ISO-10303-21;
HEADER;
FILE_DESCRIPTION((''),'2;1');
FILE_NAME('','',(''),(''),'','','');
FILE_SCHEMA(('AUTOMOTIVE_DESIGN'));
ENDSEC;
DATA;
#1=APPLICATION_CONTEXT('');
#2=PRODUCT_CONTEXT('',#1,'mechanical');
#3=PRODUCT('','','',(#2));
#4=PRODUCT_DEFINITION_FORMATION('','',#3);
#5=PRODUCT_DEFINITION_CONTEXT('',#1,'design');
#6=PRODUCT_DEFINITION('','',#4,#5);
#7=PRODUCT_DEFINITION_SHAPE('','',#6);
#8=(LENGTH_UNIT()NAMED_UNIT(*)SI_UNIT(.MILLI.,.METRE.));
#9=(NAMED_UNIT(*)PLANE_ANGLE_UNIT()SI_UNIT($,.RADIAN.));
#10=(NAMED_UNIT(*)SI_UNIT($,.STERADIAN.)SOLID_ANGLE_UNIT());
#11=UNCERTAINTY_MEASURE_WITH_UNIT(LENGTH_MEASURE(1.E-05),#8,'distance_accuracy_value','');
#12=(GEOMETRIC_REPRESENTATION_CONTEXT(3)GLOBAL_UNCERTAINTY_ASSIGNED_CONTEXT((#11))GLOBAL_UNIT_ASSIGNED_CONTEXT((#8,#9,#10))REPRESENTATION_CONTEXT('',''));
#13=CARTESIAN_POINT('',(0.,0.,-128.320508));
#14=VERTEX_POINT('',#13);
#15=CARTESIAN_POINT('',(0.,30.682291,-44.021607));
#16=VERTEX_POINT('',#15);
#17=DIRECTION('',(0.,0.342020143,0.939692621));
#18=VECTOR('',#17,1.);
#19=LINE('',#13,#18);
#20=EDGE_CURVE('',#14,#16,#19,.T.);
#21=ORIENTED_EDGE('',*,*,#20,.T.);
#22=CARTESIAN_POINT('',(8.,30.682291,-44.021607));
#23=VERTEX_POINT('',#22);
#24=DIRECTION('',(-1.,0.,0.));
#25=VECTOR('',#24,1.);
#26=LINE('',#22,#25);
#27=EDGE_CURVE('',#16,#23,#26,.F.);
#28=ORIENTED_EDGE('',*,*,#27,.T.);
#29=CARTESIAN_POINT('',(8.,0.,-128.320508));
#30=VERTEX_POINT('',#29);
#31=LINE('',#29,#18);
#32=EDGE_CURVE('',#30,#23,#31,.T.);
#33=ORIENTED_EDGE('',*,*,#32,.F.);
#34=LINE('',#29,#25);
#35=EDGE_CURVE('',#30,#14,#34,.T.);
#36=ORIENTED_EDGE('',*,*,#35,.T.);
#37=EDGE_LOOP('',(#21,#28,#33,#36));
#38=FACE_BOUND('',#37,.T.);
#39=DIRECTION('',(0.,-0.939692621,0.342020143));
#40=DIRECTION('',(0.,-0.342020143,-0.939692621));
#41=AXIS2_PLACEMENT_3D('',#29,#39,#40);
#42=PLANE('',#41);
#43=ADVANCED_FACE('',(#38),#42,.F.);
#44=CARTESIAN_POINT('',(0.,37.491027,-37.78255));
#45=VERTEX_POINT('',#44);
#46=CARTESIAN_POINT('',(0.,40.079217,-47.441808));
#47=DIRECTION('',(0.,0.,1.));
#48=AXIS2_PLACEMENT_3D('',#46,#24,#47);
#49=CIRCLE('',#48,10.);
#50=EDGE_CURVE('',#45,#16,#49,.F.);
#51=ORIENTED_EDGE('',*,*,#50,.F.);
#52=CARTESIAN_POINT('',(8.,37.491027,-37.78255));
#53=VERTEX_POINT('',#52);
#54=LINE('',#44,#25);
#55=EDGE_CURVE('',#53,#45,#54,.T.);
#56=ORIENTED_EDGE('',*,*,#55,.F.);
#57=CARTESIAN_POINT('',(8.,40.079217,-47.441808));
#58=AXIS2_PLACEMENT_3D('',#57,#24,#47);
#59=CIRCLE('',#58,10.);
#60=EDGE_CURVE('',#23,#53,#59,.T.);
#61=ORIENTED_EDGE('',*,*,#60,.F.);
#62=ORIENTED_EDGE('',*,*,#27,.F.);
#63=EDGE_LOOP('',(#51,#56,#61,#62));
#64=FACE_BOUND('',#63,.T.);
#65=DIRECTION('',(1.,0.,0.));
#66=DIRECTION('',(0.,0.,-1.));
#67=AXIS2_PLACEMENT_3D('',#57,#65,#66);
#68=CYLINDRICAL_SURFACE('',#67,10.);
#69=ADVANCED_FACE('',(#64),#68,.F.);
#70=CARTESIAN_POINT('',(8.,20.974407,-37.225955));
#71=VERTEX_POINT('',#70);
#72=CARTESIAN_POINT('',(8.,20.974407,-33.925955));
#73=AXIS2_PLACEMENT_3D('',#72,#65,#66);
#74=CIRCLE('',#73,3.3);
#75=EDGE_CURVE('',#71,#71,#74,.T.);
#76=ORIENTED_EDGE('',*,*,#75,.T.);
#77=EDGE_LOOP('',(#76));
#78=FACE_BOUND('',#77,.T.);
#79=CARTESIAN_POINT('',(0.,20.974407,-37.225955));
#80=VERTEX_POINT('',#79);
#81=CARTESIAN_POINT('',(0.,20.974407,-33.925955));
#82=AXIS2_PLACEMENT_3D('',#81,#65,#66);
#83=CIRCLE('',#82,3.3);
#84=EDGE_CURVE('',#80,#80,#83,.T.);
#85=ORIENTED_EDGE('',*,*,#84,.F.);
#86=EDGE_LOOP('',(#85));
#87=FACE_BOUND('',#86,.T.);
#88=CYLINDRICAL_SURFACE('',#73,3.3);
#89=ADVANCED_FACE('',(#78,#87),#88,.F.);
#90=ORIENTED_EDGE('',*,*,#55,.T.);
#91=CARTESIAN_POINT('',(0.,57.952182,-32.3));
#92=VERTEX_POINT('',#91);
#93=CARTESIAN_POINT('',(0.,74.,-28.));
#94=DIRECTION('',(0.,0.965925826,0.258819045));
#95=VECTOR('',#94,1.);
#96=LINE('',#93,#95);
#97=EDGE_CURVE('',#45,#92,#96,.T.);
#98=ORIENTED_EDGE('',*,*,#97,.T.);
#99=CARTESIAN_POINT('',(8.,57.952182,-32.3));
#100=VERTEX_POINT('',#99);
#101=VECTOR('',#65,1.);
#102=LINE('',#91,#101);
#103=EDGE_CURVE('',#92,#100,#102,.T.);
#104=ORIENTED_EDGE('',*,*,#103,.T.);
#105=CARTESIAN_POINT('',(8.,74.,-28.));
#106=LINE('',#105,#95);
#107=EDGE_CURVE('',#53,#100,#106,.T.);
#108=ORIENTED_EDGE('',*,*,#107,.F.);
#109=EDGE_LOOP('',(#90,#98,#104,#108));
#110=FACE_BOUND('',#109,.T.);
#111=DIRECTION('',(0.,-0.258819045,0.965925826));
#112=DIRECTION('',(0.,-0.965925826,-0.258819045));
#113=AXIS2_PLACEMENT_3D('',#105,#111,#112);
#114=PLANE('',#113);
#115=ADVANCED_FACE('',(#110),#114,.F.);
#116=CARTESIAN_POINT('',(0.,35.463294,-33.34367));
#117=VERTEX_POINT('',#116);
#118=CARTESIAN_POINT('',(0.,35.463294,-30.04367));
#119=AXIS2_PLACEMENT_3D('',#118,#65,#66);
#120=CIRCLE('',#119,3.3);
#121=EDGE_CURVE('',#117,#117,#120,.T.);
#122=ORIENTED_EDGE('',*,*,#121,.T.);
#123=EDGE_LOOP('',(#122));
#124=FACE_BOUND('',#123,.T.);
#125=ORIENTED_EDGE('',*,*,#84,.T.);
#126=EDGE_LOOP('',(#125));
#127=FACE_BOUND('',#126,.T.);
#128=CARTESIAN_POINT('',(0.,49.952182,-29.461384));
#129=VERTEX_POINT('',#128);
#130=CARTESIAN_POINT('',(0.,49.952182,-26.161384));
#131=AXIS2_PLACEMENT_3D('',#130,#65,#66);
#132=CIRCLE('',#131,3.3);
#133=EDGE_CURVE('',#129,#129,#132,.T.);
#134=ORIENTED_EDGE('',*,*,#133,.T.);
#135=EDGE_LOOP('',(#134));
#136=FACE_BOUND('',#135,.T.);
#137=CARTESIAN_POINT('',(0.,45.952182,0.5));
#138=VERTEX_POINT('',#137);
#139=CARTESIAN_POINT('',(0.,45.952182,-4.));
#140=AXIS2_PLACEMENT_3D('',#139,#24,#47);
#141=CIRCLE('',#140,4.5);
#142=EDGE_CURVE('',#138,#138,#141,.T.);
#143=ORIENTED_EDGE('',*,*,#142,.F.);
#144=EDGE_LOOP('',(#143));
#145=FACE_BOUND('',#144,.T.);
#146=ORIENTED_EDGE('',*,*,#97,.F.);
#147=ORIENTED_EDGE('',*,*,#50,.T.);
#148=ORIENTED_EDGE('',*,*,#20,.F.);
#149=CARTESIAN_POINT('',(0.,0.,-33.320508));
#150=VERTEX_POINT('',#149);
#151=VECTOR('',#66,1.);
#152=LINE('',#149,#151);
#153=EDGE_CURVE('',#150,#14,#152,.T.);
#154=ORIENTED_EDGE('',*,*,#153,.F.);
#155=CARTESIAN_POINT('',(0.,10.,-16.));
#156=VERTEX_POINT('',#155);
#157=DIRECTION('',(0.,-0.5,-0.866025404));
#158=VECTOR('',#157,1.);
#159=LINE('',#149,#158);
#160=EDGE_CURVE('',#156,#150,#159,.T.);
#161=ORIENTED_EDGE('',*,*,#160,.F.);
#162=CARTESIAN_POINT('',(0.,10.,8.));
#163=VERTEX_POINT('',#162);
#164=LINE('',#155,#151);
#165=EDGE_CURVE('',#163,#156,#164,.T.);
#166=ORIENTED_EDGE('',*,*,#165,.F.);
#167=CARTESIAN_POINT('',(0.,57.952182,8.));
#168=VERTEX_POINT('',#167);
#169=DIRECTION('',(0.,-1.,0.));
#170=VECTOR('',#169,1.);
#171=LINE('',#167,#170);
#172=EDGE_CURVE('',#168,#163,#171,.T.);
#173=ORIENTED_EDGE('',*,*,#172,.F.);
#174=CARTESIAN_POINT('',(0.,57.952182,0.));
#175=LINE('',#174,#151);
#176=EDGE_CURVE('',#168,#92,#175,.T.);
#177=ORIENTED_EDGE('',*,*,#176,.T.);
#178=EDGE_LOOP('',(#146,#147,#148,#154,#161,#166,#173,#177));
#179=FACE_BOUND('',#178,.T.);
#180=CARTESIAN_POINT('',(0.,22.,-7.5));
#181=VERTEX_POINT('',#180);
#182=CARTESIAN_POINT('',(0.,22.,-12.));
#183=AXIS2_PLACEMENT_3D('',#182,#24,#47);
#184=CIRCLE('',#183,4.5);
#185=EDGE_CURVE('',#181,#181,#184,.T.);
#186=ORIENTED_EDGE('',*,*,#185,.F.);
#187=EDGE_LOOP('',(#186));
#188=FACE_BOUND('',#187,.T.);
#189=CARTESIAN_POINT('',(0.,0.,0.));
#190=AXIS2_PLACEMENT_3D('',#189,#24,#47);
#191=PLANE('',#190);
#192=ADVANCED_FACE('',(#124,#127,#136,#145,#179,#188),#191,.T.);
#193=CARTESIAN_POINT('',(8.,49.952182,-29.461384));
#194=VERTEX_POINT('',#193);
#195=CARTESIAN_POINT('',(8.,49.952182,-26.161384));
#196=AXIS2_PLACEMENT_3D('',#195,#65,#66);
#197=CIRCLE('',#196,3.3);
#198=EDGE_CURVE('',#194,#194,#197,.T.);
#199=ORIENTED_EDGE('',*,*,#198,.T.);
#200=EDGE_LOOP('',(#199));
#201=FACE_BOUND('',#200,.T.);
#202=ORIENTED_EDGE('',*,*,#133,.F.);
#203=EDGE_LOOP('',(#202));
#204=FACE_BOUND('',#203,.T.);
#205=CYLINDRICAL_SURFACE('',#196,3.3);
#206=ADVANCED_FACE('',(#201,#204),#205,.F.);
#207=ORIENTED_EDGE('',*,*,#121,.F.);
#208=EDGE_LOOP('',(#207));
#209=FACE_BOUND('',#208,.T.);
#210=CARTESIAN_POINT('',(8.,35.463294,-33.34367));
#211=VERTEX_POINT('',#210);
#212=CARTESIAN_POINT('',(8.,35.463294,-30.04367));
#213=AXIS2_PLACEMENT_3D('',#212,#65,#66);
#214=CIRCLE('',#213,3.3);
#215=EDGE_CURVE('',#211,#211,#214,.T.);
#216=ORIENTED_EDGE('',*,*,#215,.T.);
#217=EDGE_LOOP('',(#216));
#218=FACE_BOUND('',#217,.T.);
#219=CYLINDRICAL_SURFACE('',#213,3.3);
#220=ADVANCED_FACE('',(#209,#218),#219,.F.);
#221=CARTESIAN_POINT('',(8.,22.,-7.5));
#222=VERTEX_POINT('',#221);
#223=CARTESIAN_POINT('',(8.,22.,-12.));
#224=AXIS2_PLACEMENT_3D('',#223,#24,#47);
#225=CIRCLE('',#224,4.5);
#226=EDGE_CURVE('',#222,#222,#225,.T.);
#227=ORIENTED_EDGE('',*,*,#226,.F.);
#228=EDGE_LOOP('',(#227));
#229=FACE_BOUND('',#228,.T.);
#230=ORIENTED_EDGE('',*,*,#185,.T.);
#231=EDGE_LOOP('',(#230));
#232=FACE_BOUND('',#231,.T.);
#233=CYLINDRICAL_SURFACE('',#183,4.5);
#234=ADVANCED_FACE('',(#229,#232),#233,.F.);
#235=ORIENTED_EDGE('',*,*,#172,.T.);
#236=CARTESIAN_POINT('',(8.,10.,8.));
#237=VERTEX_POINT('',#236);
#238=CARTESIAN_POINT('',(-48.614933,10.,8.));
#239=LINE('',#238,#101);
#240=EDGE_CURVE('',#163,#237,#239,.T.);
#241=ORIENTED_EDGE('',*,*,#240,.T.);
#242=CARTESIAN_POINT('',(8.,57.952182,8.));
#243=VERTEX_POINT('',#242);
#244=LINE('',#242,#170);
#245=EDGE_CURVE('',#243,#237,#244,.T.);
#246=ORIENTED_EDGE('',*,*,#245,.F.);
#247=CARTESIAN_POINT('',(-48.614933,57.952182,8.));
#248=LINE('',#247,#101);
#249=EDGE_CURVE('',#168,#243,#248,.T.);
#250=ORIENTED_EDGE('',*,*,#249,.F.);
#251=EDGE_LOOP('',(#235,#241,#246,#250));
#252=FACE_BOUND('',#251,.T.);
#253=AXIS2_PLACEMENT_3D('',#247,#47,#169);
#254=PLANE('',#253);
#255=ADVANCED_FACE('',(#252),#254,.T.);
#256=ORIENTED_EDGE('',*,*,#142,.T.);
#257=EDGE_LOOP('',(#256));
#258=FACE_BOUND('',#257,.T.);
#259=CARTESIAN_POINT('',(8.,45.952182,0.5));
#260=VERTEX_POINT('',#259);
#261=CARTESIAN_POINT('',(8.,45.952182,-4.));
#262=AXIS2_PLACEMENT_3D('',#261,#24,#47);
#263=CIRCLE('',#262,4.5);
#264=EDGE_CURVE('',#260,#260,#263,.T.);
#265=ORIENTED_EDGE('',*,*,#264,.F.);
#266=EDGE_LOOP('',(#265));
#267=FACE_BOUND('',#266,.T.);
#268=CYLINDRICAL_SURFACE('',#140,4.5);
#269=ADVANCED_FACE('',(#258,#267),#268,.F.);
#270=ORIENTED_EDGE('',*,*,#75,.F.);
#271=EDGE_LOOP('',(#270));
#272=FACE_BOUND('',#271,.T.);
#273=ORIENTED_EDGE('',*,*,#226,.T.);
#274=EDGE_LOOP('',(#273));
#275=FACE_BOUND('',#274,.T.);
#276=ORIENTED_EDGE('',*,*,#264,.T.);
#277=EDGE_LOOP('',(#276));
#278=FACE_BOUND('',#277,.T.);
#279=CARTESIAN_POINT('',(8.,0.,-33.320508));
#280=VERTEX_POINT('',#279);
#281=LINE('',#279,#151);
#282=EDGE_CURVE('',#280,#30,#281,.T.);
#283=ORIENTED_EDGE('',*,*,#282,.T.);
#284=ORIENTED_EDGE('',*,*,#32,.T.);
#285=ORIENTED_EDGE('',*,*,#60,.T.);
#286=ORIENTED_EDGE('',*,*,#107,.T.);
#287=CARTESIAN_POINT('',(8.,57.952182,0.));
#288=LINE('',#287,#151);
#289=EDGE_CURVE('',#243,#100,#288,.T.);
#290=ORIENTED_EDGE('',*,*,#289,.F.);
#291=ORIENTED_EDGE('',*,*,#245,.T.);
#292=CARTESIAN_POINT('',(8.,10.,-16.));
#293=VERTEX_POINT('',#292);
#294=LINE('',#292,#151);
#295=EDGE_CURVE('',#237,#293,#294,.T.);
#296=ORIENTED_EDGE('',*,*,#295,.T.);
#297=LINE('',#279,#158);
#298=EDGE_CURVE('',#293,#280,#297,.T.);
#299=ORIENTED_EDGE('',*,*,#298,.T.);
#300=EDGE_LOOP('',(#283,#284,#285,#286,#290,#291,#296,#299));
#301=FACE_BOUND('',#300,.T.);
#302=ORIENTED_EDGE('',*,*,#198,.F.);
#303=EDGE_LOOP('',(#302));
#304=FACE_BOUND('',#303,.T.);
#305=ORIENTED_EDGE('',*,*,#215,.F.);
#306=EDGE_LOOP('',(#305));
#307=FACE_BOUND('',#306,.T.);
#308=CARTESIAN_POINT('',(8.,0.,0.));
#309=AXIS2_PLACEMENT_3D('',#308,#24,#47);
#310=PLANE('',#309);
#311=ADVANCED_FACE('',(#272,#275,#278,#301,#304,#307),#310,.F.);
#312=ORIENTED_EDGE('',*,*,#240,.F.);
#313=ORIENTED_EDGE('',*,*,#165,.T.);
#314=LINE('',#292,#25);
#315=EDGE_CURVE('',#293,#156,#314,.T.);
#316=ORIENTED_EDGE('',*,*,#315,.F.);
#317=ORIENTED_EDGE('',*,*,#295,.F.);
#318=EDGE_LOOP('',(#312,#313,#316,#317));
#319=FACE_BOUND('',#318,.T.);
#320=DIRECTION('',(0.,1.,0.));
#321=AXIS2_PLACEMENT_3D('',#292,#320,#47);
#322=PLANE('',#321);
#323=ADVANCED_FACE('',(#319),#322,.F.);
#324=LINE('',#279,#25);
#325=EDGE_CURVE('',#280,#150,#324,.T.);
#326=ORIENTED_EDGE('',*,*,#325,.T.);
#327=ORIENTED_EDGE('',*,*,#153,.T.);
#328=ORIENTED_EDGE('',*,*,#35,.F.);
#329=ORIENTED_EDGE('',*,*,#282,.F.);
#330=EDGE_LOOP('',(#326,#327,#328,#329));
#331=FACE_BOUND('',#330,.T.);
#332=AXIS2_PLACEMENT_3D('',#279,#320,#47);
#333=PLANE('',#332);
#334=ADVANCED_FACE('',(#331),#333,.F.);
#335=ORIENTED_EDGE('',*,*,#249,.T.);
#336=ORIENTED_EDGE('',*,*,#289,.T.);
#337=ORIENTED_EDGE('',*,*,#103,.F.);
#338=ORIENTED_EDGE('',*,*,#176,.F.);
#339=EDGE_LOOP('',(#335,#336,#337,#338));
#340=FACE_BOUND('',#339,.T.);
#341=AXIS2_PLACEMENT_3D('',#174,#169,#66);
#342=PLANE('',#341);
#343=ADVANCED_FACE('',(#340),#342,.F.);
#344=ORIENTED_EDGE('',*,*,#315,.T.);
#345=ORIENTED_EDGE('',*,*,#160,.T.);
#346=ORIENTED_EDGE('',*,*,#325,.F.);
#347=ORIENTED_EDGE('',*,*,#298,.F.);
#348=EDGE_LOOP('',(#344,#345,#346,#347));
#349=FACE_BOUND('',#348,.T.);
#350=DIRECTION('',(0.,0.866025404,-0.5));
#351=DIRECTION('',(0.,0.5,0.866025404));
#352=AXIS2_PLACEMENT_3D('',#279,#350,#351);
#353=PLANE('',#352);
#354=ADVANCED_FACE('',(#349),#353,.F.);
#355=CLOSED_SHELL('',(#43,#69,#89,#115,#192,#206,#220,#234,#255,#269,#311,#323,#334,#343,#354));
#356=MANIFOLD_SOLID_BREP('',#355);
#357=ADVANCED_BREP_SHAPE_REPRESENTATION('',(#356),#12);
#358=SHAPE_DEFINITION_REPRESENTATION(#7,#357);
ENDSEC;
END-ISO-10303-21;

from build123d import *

# Parameters (mm, degrees)
RESSALTO_EXTRUS_O1_DEPTH = 8
ESBO_O2_W                = 32.3
ESBO_O2_H                = 16.047818473
CORTE_EXTRUS_O1_DEPTH    = 149.344709352
ESBO_O3_W                = 8
ESBO_O3_H                = 47.952181527
RESSALTO_EXTRUS_O2_DEPTH = 8
FURO_COM_FOLGA_DE_M81_D  = 9
FURO_COM_FOLGA_DE_M61_D  = 6.6
FILETE1_R                = 10


with BuildPart() as part:
    # Esboço1 → Ressalto-extrusão1 (new body)
    with BuildSketch(Plane(origin=(0, 0, 0), x_dir=(0, 0, -1), z_dir=(1, 0, 0))):
        Polygon((28, 74), (39.129876604, 32.462735031), (128.320508076, 0), (33.320508076, 0), (16, 10), (0, 10), (0, 74), align=None)
    extrude(amount=RESSALTO_EXTRUS_O1_DEPTH)

    # Esboço2 → Corte-extrusão1 (cut, through all)
    with BuildSketch(Plane(origin=(8, 0, 0), x_dir=(0, 0, -1), z_dir=(1, 0, 0))):
        with Locations((16.15, 65.976090763)):
            Rectangle(ESBO_O2_W, ESBO_O2_H)
    extrude(amount=-CORTE_EXTRUS_O1_DEPTH, mode=Mode.SUBTRACT)

    # Esboço3 → Ressalto-extrusão2 (add)
    with BuildSketch(Plane(origin=(8, 0, 0), x_dir=(0, 0, -1), z_dir=(1, 0, 0))):
        with Locations((-4, 33.976090763)):
            Rectangle(ESBO_O3_W, ESBO_O3_H)
    extrude(amount=-RESSALTO_EXTRUS_O2_DEPTH)

    # Furo com folga de M81 (through all)
    with Locations(Plane.ZY):
        with Locations((-4, 45.952181527), (-12, 22)):
            Hole(FURO_COM_FOLGA_DE_M81_D / 2)

    # Furo com folga de M61 (through all)
    with Locations(Plane(origin=(8, 0, 0), x_dir=(0, 0, -1), z_dir=(1, 0, 0))):
        with Locations((26.161384096, 49.952181527), (30.043669773, 35.463294133), (33.925955449, 20.974406739)):
            Hole(FURO_COM_FOLGA_DE_M61_D / 2)

    # Filete1
    filete1_edges = [part.edges().sort_by_distance(p)[0] for p in [
        (4, 32.462735031, -39.129876604),
    ]]
    fillet(filete1_edges, radius=FILETE1_R)


solid = part.part
